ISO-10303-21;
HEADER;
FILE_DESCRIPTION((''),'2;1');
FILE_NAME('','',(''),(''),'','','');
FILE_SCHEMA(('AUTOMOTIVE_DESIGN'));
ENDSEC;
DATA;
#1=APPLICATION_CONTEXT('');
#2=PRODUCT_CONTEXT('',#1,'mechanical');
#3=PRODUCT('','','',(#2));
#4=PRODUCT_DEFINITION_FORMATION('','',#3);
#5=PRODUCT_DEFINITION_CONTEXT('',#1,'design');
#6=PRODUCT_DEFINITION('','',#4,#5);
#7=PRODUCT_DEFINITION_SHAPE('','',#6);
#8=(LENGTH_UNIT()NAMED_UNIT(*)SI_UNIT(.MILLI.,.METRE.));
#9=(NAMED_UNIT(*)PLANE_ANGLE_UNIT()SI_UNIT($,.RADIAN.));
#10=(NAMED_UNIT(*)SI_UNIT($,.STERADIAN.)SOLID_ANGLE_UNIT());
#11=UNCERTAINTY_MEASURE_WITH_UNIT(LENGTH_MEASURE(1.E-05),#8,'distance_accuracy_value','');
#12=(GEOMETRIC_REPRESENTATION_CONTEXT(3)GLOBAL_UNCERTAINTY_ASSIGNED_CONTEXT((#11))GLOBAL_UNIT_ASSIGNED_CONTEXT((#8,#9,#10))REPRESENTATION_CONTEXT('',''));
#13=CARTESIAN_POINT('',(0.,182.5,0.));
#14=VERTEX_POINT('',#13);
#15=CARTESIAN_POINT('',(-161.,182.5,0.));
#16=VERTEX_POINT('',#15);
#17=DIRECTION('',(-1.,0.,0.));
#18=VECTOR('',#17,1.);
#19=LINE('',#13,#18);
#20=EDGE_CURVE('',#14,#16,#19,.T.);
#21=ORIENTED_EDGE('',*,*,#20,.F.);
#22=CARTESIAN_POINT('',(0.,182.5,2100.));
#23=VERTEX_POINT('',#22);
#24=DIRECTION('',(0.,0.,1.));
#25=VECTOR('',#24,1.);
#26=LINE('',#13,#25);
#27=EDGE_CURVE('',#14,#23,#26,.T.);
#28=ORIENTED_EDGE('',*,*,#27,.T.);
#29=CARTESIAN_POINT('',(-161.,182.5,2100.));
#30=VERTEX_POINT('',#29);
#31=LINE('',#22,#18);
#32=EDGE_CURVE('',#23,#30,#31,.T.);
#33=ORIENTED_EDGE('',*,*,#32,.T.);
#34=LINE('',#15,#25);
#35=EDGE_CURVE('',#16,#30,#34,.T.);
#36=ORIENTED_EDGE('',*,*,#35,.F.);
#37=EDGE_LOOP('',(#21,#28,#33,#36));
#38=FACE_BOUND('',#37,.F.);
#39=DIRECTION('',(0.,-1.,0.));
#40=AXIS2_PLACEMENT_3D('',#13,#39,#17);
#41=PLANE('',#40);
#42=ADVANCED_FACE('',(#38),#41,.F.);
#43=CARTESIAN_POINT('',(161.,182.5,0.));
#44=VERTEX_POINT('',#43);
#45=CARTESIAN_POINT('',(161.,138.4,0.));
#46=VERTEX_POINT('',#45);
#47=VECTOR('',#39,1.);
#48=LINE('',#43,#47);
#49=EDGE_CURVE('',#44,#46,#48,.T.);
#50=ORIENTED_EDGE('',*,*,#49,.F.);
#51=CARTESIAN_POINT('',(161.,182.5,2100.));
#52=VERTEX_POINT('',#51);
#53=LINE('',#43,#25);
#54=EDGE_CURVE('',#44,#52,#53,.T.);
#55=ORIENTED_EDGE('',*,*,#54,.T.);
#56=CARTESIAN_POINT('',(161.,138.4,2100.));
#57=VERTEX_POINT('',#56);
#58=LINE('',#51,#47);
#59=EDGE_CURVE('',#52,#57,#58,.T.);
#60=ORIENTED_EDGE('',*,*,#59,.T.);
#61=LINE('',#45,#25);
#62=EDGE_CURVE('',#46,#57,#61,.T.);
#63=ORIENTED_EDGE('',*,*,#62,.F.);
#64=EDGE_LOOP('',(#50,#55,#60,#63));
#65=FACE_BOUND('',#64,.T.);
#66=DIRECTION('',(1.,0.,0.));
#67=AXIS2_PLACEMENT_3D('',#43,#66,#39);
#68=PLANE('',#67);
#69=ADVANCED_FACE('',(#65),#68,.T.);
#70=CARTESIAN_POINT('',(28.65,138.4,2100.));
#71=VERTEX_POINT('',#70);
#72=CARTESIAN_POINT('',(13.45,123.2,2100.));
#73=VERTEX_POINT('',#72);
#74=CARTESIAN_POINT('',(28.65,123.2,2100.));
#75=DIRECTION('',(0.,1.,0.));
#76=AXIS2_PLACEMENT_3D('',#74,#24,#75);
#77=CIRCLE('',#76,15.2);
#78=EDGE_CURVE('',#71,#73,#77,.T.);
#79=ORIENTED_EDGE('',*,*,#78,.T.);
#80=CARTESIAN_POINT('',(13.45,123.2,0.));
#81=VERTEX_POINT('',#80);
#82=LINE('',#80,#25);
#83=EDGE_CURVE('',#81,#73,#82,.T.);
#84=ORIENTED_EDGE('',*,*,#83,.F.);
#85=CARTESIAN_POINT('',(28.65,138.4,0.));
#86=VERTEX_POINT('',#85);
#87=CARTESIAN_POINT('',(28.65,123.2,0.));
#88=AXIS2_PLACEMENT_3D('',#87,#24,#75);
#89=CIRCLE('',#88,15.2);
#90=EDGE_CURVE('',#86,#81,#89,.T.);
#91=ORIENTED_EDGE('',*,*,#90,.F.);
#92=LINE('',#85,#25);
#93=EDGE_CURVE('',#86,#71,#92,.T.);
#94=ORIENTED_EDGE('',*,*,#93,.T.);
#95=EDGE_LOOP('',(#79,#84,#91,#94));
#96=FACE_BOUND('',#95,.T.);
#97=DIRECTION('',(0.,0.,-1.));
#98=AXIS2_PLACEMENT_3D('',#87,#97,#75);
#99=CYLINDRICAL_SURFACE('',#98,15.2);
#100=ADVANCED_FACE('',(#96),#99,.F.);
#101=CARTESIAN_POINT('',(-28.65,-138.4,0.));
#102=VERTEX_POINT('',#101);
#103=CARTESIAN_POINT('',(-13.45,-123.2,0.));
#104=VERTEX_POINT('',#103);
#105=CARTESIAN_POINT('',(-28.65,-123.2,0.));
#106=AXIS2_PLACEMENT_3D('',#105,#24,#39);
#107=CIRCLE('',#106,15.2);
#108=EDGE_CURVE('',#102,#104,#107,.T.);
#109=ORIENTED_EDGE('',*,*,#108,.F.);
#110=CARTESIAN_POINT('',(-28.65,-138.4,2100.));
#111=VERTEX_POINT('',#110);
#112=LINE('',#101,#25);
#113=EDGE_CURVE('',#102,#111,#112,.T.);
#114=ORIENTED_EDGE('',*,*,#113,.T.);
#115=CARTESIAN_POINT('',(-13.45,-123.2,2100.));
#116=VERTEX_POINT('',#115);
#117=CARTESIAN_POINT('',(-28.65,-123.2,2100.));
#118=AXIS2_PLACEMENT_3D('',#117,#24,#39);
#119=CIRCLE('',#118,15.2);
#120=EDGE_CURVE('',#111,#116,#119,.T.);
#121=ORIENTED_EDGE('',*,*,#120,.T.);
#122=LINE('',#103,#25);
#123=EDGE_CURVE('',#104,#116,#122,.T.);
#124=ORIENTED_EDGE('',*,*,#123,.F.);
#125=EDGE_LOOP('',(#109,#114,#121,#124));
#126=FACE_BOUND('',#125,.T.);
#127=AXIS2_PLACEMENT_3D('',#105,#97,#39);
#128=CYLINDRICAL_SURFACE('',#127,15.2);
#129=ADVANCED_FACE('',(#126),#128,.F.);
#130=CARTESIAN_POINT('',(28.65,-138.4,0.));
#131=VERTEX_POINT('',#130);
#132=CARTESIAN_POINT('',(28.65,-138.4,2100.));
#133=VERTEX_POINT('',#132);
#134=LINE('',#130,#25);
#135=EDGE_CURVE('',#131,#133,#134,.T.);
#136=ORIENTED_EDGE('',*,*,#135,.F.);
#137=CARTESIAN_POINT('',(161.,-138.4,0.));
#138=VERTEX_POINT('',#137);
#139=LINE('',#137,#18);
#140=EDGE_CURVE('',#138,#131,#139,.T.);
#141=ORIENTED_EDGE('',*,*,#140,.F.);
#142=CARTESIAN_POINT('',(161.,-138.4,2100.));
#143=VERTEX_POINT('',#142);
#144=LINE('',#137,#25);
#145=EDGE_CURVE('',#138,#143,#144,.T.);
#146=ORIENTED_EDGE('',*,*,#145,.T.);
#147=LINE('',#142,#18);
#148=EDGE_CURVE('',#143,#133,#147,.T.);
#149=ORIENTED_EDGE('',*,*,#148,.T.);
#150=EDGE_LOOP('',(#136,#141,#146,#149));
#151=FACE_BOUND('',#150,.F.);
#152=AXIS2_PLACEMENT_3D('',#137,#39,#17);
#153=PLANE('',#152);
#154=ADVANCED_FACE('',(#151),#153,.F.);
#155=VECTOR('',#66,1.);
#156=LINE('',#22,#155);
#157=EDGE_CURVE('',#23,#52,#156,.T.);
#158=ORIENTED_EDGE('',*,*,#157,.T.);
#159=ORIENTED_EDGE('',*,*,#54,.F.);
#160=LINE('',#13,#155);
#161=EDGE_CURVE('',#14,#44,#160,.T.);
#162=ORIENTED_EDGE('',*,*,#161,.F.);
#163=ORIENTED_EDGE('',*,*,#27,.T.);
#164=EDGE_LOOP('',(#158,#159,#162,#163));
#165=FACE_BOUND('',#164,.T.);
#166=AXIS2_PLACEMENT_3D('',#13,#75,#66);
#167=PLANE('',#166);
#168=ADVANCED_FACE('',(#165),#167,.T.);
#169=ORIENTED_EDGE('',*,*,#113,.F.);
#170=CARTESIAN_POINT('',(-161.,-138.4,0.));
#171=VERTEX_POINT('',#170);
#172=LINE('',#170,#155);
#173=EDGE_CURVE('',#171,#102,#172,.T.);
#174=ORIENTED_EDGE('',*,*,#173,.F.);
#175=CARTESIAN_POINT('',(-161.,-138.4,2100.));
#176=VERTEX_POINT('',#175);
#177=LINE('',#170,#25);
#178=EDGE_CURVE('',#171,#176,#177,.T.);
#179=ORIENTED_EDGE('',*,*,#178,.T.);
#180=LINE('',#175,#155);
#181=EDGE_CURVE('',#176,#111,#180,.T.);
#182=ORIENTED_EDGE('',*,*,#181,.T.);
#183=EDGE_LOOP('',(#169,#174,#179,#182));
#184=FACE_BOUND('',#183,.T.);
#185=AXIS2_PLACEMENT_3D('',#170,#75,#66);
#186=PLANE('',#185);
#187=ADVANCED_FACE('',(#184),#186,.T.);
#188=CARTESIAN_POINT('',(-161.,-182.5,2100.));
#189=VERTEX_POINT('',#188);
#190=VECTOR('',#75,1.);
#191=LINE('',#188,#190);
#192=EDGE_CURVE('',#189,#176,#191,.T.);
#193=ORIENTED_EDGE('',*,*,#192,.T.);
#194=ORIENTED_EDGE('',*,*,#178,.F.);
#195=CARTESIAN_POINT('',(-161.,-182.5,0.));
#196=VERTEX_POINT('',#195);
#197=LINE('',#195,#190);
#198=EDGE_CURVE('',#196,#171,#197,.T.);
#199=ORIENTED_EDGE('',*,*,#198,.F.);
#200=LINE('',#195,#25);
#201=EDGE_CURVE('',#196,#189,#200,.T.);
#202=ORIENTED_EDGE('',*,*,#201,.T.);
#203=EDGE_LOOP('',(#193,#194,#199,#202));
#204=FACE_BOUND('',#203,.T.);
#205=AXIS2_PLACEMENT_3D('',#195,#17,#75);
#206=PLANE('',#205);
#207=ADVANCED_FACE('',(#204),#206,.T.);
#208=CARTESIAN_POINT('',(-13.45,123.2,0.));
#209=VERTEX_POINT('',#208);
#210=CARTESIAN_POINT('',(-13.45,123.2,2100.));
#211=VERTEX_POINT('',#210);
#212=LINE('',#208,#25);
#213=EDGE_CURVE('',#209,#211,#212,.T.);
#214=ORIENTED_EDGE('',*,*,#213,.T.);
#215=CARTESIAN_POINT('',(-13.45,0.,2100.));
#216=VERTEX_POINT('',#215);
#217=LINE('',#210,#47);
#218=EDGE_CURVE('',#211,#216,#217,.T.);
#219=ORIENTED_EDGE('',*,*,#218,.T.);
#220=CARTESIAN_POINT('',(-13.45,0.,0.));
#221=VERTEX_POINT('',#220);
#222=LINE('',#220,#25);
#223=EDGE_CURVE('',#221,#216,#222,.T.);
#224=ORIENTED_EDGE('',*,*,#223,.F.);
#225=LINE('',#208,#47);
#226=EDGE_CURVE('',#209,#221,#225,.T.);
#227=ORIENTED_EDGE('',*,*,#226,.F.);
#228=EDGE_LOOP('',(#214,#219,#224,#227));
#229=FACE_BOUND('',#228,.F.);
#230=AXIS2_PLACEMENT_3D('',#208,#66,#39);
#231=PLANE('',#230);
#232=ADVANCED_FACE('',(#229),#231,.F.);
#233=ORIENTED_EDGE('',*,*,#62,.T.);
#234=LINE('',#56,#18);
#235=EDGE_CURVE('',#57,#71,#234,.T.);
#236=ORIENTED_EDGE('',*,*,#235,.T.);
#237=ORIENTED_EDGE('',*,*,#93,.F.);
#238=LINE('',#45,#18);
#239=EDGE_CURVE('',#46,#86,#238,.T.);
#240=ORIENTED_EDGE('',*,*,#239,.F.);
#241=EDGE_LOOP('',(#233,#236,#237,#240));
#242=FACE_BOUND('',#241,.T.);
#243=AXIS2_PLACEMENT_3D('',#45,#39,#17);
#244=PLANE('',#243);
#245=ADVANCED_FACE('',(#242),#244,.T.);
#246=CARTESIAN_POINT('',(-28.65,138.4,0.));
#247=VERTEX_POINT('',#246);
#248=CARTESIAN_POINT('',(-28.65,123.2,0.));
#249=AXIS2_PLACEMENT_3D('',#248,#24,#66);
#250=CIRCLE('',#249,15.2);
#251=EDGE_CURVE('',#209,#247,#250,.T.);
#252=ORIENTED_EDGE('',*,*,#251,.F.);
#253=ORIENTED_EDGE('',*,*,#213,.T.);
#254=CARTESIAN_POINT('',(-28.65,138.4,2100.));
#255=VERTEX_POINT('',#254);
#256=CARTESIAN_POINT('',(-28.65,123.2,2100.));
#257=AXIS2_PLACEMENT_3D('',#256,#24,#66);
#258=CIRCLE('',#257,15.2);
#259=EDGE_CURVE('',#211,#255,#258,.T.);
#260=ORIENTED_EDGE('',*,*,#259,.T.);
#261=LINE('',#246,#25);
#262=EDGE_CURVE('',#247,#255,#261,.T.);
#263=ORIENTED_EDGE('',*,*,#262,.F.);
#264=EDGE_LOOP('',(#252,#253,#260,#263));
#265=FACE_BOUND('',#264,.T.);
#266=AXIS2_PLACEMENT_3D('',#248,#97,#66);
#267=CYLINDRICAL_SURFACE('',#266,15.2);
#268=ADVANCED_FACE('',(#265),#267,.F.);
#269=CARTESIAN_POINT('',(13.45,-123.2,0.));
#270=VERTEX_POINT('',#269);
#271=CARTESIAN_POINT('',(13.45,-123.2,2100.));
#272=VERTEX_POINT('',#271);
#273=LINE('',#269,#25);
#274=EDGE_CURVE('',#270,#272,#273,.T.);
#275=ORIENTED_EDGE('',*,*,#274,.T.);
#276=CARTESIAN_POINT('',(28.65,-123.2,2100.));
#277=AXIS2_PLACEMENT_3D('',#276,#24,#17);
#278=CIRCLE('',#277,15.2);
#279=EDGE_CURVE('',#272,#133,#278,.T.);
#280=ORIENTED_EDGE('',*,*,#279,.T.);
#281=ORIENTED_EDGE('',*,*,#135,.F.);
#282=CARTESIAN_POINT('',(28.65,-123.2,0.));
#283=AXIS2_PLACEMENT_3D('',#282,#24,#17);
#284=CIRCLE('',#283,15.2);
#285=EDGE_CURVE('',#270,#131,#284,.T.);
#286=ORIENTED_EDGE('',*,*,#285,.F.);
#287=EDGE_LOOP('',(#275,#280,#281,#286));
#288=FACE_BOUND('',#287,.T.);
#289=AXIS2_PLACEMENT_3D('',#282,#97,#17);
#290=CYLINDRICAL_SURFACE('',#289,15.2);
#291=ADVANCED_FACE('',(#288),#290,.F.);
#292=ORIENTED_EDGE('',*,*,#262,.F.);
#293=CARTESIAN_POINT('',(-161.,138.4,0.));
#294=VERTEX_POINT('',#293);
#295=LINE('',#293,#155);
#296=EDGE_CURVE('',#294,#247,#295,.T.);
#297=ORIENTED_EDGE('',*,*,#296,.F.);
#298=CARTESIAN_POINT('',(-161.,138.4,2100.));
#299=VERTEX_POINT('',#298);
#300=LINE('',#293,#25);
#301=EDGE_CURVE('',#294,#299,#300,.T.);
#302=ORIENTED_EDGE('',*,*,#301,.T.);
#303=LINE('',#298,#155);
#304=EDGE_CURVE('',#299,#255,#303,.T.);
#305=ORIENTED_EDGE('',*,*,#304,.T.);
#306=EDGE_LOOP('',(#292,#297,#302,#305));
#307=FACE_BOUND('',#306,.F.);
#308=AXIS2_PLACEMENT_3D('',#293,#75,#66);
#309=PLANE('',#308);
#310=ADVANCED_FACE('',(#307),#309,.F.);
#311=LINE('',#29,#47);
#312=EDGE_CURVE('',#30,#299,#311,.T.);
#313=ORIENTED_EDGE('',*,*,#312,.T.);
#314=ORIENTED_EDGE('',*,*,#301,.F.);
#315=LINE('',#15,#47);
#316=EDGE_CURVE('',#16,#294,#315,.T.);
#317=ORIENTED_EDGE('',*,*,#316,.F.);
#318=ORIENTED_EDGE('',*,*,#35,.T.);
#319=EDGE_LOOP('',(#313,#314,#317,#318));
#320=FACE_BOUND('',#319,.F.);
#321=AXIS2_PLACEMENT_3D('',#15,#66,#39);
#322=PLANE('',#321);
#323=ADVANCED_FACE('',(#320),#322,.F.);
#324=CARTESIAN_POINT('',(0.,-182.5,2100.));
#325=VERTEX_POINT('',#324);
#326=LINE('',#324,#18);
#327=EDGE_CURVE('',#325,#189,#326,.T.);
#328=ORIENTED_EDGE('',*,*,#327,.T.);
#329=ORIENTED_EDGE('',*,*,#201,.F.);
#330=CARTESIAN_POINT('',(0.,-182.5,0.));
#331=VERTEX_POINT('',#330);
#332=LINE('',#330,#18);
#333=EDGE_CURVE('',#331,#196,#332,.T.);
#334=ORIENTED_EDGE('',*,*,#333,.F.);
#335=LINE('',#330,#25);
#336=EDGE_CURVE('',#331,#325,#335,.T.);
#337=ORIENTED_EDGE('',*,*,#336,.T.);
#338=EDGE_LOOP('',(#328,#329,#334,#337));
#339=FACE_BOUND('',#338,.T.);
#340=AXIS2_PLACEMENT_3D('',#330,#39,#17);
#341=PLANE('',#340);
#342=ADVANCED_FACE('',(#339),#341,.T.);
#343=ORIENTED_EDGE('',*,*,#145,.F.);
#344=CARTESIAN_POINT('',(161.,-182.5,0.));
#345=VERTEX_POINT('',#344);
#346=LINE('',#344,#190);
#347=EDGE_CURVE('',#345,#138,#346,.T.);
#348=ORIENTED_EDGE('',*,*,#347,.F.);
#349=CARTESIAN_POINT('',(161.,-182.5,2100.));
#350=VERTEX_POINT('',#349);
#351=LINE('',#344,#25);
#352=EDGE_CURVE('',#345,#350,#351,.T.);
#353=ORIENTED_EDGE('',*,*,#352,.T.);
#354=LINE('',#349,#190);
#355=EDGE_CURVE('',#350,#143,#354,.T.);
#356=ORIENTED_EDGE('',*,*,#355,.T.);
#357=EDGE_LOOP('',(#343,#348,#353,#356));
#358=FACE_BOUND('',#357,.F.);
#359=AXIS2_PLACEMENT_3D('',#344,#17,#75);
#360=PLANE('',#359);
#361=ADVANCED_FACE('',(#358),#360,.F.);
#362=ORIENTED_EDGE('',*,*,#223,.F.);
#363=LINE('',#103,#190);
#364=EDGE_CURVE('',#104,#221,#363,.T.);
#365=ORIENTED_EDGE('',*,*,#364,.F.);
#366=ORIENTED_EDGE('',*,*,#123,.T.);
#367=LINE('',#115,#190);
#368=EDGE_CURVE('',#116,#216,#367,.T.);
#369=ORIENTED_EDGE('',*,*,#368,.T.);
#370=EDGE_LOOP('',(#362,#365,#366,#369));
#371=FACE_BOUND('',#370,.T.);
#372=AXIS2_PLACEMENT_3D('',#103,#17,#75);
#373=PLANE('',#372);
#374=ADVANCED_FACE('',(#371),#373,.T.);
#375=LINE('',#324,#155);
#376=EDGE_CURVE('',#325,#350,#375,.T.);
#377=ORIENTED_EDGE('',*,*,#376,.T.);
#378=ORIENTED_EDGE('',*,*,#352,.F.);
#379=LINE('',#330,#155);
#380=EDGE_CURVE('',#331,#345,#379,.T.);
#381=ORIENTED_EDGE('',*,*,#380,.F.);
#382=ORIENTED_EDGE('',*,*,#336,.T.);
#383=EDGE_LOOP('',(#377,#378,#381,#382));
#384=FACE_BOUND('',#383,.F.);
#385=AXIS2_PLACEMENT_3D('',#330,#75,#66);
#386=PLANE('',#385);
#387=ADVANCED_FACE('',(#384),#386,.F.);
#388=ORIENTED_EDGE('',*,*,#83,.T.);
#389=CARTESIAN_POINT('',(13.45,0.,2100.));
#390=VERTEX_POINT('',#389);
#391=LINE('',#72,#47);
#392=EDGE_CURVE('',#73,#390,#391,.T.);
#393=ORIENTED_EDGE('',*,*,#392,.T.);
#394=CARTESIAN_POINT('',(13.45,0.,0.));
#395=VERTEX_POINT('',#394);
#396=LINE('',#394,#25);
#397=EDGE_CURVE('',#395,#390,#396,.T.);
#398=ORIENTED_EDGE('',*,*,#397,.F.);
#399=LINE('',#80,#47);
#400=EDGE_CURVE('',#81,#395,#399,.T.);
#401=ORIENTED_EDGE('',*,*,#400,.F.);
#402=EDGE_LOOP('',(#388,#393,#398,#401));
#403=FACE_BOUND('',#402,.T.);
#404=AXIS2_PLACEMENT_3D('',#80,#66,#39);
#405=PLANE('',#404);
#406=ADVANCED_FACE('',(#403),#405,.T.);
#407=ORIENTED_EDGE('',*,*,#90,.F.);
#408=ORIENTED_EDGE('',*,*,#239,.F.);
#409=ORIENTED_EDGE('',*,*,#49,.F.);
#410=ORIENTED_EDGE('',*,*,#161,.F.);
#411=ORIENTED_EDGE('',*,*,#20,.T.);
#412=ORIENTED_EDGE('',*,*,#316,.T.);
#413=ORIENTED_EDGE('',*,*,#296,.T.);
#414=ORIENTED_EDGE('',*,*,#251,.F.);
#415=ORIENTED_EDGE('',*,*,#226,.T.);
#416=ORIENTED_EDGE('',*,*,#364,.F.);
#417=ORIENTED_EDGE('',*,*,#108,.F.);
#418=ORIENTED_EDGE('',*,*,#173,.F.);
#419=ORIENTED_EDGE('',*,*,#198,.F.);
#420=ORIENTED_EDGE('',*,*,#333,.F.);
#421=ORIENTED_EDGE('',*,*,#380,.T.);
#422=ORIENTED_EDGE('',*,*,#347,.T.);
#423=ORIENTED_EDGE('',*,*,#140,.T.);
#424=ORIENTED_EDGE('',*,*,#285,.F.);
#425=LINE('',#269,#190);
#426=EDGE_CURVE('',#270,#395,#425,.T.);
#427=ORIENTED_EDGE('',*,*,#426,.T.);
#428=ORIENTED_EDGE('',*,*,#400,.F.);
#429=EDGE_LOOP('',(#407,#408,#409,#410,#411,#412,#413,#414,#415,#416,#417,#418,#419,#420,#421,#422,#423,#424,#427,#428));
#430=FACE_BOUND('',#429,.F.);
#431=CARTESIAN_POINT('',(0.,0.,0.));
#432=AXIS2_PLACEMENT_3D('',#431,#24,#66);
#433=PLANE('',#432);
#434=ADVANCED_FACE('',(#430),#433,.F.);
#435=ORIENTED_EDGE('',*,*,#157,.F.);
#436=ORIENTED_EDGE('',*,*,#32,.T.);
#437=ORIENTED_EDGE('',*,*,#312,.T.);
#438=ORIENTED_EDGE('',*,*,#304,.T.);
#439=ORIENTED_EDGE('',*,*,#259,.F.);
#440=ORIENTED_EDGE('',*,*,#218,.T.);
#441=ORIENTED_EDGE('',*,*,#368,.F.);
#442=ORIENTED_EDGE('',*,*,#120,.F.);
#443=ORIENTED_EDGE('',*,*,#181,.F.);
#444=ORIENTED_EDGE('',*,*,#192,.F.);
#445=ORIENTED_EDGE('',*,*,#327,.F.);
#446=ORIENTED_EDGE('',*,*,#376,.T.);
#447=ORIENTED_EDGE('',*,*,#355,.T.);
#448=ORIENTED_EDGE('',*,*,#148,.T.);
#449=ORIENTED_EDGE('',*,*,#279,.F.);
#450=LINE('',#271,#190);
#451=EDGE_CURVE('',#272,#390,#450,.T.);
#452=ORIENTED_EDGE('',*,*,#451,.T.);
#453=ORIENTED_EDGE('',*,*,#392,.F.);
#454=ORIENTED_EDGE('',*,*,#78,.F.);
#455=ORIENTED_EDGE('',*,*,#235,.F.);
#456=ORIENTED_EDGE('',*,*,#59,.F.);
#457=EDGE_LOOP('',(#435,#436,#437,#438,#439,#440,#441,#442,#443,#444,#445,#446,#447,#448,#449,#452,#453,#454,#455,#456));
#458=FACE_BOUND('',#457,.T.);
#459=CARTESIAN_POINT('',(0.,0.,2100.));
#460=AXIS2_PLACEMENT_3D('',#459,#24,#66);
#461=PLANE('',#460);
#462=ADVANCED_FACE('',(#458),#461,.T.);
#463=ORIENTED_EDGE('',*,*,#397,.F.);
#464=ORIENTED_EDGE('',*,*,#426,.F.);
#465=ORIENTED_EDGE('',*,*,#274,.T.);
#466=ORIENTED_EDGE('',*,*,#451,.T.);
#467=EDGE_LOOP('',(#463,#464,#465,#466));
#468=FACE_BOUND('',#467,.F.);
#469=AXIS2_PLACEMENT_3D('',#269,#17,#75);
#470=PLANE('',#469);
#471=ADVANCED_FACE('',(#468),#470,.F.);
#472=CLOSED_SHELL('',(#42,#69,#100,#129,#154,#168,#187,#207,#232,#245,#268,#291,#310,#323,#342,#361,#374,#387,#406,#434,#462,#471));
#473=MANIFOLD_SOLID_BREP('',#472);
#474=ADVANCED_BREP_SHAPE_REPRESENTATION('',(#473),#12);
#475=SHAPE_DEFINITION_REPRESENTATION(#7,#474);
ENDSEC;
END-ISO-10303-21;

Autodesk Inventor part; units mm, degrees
ref_plane "YZ Plane" through (0, 0, 0) normal (1, 0, 0) x (0, 1, 0)
ref_plane "Start plane" through (0, 0, 0) normal (0, 0, 1) x (1, 0, 0)
ref_plane "End plane" through (0, 0, 2100) normal (0, 0, 1) x (1, 0, 0)
sketch "Sketch" plane through (0, 0, 0) normal (0, 0, 1) x (1, 0, 0)
  line L0 (-161, -182.5) -> (-161, -138.4)
  line L1 (-161, -138.4) -> (-28.65, -138.4)
  line L2 (-13.45, -123.2) -> (-13.45, 0)
  line L3 (-13.45, 0) -> (0, 0) construction
  line L4 (0, 0) -> (0, -182.5) construction
  line L5 (0, -182.5) -> (-161, -182.5)
  line L6 (-60, 0) -> (80, 0) construction
  line L7 (0, -60) -> (0, 80) construction
  line L8 (161, -182.5) -> (161, -138.4)
  line L9 (161, -138.4) -> (28.65, -138.4)
  line L10 (13.45, -123.2) -> (13.45, 0)
  line L11 (13.45, 0) -> (0, 0) construction
  line L12 (0, -182.5) -> (161, -182.5)
  line L13 (-161, 182.5) -> (-161, 138.4)
  line L14 (-161, 138.4) -> (-28.65, 138.4)
  line L15 (-13.45, 123.2) -> (-13.45, 0)
  line L16 (0, 182.5) -> (-161, 182.5)
  line L17 (161, 182.5) -> (161, 138.4)
  line L18 (161, 138.4) -> (28.65, 138.4)
  line L19 (0, 182.5) -> (161, 182.5)
  line L20 (13.45, 123.2) -> (13.45, 0)
  arc A0 (-13.45, 123.2) -> (-28.65, 138.4) centre (-28.65, 123.2) ccw
  arc A1 (28.65, 138.4) -> (13.45, 123.2) centre (28.65, 123.2) ccw
  arc A2 (13.45, -123.2) -> (28.65, -138.4) centre (28.65, -123.2) ccw
  arc A3 (-28.65, -138.4) -> (-13.45, -123.2) centre (-28.65, -123.2) ccw
  line L21 (0, 108) -> (0, -88) construction
  line L22 (-88, 0) -> (108, 0) construction
  point P0 (-13.45, -138.4)
  point P1 (13.45, -138.4)
  point P2 (-13.45, 138.4)
  point P3 (13.45, 138.4)
  dimension "d1" = 182.5
  dimension "d2" = 44.1
  dimension "d3" = 161
  dimension "d4" = 13.45
  dimension "d10" = 15.2
extrude "Body" add sketch "Sketch" along normal up to surface (2100 mm away) from surface at 0
sketch "Sketch4" plane through (0, 0, 0) normal (0, 0, 1) x (1, 0, 0)
  line L0 (0, 0) -> (10, 0)
ref_plane "Work Plane3" through (0, 0, 0) normal (0, -1, 0) x (1, 0, 0)
sketch "Sketch5" plane through (0, 0, 0) normal (0, -1, 0) x (1, 0, 0)
  line L0 (-2, 0) -> (12, 0) projected
  line L1 (-2, 2100) -> (12, 2100) projected
  dimension "d14" = 2100
equation "\"d1\" = 0.5 * G_H"
equation "\"d2\" = G_T1"
equation "\"d3\" = 0.5 * G_W"
equation "\"d4\" = 0.5 * G_T"
equation "\"d10\" = G_IR"
equation "\"d5\" = G_L"
equation "\"G_W\" = 322"
equation "\"G_H\" = 365"
equation "\"G_T\" = 26.9"
equation "\"G_T1\" = 44.1"
equation "\"G_IR\" = 15.2"
equation "\"G_L\" = d14"
equation "\"G_OFFSET_START\" = 0"
equation "\"G_OFFSET_END\" = 0"
properties part number "AS 3679 - 310 UC - 283 - 2100" material "Steel, Mild"
